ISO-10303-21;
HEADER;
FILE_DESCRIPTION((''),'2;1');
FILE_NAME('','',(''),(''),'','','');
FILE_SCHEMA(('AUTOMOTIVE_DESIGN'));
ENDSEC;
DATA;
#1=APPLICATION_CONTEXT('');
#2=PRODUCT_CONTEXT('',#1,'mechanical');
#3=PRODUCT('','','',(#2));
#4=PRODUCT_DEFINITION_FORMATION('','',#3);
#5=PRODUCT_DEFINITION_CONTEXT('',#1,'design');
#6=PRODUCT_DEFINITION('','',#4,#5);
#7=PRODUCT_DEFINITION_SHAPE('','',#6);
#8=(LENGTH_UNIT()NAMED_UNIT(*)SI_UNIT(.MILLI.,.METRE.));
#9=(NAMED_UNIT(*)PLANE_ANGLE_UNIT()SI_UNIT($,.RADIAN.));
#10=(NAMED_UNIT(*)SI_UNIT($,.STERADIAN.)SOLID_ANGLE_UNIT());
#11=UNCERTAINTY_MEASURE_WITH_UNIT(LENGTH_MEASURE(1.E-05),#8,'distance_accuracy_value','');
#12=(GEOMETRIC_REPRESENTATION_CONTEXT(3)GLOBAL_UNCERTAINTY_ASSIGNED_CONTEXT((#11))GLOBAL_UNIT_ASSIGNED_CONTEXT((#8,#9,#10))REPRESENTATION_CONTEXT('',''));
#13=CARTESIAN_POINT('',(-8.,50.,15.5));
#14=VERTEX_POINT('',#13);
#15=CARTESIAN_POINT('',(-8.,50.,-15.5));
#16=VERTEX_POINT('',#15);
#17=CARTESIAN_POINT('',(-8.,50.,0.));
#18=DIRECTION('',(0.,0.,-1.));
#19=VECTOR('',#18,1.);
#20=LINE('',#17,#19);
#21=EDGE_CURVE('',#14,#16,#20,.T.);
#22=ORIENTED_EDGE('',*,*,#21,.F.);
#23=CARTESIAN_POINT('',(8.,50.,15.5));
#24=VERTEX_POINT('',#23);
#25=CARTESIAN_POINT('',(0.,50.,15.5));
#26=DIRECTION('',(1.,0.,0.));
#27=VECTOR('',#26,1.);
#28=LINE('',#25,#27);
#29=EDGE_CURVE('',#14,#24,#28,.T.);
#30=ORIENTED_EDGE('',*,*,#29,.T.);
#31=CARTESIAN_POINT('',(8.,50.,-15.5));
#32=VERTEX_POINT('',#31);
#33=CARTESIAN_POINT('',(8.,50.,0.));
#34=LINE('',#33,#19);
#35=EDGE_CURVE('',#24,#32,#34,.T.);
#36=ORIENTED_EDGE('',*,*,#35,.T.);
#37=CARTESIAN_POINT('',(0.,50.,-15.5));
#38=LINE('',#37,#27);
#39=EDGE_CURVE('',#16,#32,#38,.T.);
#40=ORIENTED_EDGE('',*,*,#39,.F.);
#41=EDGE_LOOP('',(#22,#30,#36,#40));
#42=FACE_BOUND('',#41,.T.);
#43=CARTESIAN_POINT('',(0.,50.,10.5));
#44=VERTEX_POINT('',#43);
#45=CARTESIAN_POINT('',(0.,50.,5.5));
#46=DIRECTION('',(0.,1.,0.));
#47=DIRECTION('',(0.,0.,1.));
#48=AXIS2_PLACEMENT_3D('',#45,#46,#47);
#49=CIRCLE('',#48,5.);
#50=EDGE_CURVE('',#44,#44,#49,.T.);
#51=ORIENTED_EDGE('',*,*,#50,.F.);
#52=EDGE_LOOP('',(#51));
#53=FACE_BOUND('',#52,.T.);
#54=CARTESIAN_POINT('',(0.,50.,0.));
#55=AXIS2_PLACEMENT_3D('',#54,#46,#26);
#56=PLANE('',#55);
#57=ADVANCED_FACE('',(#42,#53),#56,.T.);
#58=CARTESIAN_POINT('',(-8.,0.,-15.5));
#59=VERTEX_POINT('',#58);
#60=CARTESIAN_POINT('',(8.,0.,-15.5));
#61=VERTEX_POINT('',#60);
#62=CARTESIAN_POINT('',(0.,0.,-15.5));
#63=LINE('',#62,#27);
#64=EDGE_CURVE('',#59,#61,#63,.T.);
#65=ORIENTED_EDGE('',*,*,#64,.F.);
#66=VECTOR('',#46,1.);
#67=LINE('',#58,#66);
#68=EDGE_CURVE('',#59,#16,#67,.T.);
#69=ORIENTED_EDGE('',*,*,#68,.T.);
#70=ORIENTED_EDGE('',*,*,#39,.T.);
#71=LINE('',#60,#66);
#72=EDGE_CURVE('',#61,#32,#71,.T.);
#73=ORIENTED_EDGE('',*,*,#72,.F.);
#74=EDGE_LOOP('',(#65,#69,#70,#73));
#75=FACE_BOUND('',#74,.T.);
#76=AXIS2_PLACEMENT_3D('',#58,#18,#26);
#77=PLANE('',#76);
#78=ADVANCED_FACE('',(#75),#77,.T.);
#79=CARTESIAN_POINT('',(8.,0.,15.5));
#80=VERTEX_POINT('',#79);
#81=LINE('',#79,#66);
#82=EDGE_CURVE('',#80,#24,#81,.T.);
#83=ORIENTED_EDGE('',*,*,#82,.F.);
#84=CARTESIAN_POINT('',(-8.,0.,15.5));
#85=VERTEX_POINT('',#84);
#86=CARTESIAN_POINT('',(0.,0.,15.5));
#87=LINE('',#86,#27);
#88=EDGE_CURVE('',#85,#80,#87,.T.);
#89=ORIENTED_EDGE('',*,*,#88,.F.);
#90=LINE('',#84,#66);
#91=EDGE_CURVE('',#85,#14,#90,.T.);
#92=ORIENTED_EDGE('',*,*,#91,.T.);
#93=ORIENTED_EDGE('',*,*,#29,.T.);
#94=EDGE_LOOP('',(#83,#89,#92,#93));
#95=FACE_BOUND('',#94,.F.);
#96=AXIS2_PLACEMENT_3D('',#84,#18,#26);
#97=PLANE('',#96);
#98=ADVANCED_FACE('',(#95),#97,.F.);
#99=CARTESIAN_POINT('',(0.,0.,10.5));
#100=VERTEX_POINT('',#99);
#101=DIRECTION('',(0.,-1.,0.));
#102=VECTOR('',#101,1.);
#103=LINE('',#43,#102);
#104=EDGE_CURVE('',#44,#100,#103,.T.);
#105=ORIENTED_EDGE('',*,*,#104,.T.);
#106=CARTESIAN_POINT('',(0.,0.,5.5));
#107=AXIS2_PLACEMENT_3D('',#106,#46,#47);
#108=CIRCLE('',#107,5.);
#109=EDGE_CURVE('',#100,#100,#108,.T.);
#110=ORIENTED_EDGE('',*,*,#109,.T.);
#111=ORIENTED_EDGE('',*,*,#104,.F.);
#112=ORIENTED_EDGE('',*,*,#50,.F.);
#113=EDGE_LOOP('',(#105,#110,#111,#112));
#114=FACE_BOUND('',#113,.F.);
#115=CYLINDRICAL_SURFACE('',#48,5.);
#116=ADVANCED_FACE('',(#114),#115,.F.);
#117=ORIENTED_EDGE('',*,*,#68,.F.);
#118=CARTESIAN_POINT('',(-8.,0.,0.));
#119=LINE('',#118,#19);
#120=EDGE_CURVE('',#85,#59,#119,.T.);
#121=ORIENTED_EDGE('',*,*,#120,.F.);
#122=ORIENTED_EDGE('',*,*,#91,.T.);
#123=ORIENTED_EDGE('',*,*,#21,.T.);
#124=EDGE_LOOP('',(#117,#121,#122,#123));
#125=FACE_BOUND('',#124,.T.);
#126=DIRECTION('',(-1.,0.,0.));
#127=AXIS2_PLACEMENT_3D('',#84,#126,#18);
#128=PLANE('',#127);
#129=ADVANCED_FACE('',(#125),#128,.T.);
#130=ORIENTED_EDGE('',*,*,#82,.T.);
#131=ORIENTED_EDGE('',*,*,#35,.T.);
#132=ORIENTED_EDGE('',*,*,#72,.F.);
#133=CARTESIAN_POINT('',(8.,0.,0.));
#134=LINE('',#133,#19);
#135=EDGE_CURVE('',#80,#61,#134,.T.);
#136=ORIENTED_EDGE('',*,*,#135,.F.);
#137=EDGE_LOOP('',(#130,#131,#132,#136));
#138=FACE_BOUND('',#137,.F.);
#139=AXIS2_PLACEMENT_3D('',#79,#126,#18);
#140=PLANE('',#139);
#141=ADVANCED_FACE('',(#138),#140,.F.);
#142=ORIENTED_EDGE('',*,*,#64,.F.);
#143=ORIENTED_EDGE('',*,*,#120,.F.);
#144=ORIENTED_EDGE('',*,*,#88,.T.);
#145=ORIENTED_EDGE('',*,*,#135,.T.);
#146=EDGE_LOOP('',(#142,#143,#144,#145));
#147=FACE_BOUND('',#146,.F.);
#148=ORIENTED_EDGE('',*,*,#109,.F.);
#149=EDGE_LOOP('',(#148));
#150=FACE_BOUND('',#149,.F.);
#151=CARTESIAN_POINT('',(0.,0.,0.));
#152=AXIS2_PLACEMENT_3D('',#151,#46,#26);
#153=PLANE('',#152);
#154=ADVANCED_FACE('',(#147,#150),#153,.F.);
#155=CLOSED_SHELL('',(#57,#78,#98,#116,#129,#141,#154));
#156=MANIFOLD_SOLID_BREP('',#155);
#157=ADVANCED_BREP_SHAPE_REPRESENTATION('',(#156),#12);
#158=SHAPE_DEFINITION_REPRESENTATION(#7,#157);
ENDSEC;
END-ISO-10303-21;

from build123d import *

# Parameters (mm, degrees)
SKETCH1_W           = 16
SKETCH1_H           = 31
BOSS_EXTRUDE1_DEPTH = 50
SKETCH2_R           = 5
CUT_EXTRUDE1_DEPTH  = 53.955169719


with BuildPart() as part:
    # Sketch1 → Boss-Extrude1 (new body)
    with BuildSketch(Plane(origin=(0, 0, 0), x_dir=(1, 0, 0), z_dir=(0, 1, 0))):
        Rectangle(SKETCH1_W, SKETCH1_H)
    extrude(amount=BOSS_EXTRUDE1_DEPTH)

    # Sketch2 → Cut-Extrude1 (cut, through all)
    with BuildSketch(Plane(origin=(0, 50, 0), x_dir=(1, 0, 0), z_dir=(0, 1, 0))):
        with Locations(Location((0, -5.5, 0), (0, 0, 270))):
            Circle(SKETCH2_R)
    extrude(amount=-CUT_EXTRUDE1_DEPTH, mode=Mode.SUBTRACT)


solid = part.part
